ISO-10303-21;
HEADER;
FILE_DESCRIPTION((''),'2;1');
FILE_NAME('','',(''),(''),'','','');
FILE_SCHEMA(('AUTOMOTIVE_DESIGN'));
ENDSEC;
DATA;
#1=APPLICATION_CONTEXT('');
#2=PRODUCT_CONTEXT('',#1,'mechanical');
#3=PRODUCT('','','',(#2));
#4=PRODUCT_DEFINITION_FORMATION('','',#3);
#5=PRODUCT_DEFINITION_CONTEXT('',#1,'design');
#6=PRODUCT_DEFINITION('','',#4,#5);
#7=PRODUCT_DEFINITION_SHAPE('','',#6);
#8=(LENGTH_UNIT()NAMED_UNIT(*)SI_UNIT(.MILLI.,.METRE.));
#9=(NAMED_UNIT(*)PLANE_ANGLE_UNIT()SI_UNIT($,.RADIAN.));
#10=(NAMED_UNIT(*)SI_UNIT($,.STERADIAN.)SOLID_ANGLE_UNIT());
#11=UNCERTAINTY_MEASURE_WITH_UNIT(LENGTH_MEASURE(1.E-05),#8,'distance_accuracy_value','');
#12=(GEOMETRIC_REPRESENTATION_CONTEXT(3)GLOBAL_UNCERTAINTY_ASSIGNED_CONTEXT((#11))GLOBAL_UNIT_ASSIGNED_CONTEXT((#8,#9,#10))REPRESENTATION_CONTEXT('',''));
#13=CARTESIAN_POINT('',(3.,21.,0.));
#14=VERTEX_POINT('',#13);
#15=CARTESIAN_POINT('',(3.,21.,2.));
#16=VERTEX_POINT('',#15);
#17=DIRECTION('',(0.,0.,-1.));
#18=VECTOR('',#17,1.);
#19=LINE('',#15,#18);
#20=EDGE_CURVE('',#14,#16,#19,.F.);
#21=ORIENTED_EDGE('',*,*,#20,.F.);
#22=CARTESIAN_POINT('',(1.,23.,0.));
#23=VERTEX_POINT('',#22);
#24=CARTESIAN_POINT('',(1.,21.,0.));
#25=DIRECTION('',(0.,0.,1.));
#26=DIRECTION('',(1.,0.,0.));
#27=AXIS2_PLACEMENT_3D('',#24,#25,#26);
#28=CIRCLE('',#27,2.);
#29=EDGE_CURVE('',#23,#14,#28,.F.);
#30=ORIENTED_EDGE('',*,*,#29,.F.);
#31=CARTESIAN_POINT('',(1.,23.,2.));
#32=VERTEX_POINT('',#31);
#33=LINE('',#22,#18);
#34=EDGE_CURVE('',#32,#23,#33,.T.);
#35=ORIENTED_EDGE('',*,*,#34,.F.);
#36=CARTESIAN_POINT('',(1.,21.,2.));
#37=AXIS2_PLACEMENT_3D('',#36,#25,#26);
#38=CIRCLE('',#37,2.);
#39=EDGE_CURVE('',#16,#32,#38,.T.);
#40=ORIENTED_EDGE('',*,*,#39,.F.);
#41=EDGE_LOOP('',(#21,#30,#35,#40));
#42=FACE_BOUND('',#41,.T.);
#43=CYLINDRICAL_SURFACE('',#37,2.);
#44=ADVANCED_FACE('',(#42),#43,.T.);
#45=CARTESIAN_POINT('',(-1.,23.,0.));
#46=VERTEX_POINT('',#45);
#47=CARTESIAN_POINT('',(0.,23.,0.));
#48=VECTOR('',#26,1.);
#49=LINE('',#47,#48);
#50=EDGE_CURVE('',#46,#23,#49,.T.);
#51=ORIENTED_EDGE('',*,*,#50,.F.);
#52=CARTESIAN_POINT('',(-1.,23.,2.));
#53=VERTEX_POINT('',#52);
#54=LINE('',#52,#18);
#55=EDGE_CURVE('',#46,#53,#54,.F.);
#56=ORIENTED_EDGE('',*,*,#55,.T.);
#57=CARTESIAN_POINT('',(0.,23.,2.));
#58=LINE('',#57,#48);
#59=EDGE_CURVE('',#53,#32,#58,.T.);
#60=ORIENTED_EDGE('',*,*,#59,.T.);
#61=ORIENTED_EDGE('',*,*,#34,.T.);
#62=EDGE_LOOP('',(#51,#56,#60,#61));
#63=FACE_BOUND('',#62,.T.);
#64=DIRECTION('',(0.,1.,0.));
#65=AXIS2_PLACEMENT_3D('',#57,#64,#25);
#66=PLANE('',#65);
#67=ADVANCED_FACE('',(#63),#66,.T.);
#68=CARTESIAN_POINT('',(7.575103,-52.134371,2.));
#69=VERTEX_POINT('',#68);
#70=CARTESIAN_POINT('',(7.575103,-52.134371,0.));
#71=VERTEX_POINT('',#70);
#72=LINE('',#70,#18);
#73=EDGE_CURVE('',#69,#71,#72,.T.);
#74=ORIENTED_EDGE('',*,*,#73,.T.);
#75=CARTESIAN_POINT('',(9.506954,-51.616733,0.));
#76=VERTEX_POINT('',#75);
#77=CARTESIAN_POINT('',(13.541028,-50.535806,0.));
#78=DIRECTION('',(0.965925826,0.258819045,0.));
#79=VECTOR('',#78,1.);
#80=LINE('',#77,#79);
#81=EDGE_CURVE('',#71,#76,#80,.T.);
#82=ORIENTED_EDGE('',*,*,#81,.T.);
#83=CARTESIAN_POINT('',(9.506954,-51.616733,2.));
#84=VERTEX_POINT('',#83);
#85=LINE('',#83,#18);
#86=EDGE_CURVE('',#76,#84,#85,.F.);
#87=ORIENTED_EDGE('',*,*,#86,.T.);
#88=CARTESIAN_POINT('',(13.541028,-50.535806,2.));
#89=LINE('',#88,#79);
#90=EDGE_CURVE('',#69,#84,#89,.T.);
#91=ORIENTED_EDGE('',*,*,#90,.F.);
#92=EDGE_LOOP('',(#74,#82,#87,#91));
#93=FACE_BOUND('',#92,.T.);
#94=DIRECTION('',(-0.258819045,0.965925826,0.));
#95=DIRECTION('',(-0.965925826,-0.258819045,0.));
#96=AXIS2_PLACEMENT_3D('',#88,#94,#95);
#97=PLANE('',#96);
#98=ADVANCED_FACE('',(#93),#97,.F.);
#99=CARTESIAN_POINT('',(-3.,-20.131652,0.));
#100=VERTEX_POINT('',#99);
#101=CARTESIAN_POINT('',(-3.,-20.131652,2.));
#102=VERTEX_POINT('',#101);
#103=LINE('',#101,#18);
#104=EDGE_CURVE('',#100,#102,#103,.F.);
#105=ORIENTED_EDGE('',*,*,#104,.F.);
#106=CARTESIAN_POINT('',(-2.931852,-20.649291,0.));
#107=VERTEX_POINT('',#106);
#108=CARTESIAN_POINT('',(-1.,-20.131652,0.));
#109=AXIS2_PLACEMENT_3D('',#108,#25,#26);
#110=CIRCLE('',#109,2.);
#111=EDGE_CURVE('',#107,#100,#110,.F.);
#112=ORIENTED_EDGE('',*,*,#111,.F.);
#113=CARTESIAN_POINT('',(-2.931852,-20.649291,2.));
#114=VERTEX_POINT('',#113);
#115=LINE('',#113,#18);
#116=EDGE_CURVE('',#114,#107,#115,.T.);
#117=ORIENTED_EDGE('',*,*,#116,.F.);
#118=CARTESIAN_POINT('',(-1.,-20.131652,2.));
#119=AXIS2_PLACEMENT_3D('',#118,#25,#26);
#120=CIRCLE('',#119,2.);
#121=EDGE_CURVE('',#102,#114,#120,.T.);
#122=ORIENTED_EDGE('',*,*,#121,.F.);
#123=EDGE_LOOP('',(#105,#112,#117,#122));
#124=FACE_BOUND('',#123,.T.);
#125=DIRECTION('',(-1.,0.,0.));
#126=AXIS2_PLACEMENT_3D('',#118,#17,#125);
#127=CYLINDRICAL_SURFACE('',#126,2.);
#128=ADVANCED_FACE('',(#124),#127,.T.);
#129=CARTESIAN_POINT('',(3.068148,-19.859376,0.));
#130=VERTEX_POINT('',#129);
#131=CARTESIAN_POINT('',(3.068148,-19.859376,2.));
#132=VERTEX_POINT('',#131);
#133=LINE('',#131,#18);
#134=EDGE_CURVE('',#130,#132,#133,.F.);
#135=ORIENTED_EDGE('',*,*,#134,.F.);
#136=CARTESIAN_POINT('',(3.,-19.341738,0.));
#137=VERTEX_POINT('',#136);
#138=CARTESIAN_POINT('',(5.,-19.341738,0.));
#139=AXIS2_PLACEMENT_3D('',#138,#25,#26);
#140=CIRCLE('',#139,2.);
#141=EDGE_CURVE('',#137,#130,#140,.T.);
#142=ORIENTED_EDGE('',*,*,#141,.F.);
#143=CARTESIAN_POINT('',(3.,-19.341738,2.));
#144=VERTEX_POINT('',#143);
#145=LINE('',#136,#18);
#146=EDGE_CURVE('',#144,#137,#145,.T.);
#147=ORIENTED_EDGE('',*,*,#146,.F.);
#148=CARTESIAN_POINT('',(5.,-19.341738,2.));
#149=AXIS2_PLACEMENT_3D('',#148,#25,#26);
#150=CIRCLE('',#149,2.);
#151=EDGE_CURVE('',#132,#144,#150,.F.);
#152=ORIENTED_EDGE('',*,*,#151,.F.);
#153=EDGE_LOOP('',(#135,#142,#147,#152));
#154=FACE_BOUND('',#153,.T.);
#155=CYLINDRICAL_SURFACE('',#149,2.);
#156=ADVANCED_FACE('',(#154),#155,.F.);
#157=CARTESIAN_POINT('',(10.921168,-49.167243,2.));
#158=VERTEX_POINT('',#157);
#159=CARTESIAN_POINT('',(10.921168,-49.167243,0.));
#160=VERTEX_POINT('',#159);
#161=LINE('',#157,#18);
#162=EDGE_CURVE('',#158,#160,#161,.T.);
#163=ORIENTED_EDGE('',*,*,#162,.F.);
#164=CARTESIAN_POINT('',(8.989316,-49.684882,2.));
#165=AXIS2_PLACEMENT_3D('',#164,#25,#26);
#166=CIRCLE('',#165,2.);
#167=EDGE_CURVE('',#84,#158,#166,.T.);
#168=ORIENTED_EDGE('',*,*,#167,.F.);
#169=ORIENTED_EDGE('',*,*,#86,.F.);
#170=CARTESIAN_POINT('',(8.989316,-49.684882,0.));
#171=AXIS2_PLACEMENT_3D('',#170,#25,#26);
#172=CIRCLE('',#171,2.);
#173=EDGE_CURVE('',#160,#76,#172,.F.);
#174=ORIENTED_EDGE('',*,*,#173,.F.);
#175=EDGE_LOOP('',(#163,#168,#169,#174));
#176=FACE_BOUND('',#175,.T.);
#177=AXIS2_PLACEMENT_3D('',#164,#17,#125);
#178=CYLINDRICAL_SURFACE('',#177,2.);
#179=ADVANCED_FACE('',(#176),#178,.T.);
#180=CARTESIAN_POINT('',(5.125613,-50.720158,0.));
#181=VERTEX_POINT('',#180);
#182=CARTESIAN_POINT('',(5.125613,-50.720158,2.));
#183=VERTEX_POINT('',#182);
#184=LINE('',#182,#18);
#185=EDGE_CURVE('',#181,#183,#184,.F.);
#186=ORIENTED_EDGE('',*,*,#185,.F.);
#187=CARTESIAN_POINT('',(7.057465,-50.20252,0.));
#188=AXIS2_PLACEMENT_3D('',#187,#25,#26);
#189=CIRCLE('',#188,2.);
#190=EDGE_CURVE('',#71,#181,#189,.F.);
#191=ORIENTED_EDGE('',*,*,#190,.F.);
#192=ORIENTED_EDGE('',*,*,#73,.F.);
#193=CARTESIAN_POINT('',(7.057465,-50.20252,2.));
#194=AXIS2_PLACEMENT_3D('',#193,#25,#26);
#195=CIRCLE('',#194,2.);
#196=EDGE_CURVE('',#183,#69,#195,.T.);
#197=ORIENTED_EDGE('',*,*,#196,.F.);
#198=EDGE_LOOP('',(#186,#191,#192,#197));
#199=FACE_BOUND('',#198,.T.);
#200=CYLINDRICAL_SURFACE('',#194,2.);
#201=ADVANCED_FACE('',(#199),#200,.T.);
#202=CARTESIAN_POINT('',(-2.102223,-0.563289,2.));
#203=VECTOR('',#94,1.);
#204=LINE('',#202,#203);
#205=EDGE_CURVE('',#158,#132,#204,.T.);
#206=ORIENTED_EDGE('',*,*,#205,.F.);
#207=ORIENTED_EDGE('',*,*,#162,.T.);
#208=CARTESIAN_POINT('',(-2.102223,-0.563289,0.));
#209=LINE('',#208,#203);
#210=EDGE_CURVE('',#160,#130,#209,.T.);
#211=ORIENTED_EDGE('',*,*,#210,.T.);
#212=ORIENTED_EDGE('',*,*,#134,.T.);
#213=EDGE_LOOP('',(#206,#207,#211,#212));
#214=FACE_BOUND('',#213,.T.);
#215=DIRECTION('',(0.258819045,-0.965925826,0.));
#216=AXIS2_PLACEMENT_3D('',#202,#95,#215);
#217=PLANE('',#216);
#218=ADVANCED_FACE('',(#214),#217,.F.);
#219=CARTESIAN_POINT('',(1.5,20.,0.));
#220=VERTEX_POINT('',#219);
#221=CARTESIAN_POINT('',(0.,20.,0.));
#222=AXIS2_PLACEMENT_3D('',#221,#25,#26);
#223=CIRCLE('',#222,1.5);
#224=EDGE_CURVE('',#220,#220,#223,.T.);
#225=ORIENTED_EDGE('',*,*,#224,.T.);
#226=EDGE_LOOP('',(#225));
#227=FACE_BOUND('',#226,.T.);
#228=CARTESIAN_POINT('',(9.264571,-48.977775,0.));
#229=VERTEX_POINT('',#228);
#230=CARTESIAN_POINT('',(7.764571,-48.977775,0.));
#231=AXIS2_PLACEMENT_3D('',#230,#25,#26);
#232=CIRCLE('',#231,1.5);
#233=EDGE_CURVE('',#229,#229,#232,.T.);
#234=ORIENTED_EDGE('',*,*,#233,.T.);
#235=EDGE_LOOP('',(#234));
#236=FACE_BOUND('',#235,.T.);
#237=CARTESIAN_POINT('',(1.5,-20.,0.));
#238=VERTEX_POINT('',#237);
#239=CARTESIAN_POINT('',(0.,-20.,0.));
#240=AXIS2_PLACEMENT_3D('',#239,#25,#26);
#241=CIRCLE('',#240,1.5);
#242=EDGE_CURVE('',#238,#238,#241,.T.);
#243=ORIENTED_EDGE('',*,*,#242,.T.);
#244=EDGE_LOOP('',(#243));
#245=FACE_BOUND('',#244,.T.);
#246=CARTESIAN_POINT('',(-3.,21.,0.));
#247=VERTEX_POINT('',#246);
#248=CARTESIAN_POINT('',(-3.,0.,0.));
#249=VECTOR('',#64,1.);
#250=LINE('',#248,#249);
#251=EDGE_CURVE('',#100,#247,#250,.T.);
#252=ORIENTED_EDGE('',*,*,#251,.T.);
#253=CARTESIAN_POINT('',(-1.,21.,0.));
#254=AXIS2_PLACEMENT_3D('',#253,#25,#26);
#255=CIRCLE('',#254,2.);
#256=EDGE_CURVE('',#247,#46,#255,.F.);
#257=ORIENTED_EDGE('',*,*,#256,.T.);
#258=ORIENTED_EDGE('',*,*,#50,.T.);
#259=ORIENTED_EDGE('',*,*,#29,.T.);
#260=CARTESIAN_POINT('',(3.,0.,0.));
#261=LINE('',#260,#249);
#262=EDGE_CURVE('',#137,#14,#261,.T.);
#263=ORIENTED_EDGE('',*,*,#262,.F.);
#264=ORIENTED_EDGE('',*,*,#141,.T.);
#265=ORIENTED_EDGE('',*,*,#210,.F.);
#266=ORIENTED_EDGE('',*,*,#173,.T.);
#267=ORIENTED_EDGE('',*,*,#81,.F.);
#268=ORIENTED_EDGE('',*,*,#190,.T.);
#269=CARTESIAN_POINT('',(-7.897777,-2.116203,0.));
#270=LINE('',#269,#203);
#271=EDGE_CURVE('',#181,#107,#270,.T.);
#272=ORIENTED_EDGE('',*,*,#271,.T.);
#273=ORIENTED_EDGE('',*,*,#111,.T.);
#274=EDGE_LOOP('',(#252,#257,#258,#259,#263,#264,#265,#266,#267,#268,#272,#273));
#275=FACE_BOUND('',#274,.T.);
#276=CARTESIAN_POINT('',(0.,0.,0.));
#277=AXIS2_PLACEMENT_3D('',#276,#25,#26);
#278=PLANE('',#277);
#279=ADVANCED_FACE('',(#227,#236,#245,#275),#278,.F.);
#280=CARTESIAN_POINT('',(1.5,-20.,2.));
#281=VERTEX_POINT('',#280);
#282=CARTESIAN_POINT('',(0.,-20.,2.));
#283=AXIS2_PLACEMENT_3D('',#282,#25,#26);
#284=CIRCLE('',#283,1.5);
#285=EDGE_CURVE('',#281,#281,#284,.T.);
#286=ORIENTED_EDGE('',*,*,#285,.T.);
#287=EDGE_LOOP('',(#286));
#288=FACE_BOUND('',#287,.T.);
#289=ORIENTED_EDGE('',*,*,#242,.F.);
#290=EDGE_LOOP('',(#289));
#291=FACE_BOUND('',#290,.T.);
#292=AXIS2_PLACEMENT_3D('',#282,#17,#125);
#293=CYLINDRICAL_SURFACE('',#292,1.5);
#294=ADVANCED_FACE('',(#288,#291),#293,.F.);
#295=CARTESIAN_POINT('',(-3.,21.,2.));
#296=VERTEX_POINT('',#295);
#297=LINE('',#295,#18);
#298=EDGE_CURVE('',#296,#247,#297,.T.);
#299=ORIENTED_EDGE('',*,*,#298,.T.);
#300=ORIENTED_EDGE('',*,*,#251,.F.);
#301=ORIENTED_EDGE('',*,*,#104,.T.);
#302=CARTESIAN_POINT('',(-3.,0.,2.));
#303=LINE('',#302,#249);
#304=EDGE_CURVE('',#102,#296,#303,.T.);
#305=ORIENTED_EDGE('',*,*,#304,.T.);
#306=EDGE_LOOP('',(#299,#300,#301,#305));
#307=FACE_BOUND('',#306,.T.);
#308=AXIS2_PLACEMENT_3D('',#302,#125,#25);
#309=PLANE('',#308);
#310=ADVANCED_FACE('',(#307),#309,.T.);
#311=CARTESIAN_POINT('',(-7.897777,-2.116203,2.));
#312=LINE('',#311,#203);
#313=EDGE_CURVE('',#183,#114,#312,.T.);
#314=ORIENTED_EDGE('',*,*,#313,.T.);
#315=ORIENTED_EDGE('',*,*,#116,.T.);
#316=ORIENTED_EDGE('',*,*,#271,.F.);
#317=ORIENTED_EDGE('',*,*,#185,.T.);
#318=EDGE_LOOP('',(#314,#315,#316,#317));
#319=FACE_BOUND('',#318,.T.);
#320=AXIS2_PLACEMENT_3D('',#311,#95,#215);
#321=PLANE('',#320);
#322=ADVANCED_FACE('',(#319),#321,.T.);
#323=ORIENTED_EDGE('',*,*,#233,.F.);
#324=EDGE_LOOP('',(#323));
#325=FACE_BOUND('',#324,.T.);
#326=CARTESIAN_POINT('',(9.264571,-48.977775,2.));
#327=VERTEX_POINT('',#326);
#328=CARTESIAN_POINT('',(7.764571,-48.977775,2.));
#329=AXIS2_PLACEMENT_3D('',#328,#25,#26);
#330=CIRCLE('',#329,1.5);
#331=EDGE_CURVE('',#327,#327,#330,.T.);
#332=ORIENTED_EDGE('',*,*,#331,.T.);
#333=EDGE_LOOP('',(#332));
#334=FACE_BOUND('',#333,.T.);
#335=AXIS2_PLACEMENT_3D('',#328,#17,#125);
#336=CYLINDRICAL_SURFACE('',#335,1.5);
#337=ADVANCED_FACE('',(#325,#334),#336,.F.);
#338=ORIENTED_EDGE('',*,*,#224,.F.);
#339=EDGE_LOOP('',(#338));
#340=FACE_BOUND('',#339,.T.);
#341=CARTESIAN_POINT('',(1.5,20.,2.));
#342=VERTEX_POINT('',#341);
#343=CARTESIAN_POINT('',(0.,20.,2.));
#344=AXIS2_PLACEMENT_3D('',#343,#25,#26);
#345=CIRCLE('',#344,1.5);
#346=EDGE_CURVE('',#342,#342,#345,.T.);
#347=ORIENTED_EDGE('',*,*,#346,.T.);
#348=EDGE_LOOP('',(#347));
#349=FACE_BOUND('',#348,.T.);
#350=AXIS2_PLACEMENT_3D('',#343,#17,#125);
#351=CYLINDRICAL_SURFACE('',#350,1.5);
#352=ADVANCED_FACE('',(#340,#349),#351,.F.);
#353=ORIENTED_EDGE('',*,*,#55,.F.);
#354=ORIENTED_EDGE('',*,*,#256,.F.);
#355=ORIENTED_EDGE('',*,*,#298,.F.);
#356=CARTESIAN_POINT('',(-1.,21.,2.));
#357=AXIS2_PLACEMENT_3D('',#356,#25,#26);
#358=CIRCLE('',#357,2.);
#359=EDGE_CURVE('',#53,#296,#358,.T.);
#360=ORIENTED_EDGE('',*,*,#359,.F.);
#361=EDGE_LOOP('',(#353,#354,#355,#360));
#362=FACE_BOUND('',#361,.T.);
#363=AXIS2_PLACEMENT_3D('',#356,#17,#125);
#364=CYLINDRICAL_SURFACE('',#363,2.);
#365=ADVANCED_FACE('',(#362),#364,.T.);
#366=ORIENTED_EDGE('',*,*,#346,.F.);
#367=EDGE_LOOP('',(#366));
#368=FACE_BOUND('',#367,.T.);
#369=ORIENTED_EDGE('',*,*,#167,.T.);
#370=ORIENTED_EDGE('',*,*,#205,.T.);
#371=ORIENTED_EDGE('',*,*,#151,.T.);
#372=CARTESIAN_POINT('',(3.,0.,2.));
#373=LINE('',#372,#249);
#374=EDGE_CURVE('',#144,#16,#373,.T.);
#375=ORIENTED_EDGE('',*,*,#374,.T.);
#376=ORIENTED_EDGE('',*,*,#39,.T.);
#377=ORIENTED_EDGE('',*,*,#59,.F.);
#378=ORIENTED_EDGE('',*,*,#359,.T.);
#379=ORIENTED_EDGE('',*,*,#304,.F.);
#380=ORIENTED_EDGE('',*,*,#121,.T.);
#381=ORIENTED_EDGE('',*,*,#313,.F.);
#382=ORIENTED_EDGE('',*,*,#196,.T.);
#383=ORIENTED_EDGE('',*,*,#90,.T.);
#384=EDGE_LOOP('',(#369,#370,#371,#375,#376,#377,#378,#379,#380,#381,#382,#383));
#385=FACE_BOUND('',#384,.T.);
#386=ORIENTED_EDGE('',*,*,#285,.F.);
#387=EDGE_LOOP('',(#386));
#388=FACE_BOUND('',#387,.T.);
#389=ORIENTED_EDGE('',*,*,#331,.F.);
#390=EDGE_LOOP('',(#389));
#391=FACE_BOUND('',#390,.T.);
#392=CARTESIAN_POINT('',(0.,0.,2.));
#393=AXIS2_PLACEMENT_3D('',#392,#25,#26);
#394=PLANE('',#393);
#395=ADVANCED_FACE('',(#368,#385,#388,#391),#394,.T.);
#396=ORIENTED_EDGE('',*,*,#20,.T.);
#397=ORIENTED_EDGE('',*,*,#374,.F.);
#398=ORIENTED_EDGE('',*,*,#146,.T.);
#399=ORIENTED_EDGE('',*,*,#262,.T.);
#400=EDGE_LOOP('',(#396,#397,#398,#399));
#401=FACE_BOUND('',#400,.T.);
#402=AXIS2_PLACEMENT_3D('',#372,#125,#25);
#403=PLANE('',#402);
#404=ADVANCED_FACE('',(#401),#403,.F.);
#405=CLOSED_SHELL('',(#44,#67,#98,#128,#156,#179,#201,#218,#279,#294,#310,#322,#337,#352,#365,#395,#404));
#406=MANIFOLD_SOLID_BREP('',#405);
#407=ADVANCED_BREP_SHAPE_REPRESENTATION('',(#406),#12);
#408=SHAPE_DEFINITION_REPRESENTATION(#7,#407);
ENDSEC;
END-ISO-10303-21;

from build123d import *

# Parameters (mm, degrees)
ESQUISSE2_R        = 1.5
BOSS_EXTRU_3_DEPTH = 2
CONG_3_R           = 2


with BuildPart() as part:
    # Esquisse2 → Boss.-Extru.3 (new body)
    with BuildSketch(Plane.XY):
        Polygon((-3, 23), (-3, -20.394957493), (5.64325101, -52.652009403), (11.438805967, -51.099095132), (3, -19.605042507), (3, 23), align=None)
        with Locations((7.764571353, -48.977774789)):
            Circle(ESQUISSE2_R, mode=Mode.SUBTRACT)
        with Locations((0, -20)):
            Circle(ESQUISSE2_R, mode=Mode.SUBTRACT)
        with Locations((0, 20)):
            Circle(ESQUISSE2_R, mode=Mode.SUBTRACT)
    extrude(amount=BOSS_EXTRU_3_DEPTH)

    # Congé3
    cong_3_edges = [part.edges().sort_by_distance(p)[0] for p in [
        (-3, -20.394957493, 1),
        (-3, 23, 1),
        (3, 23, 1),
        (3, -19.605042507, 1),
        (11.438805967, -51.099095132, 1),
        (5.64325101, -52.652009403, 1),
    ]]
    fillet(cong_3_edges, radius=CONG_3_R)


solid = part.part
